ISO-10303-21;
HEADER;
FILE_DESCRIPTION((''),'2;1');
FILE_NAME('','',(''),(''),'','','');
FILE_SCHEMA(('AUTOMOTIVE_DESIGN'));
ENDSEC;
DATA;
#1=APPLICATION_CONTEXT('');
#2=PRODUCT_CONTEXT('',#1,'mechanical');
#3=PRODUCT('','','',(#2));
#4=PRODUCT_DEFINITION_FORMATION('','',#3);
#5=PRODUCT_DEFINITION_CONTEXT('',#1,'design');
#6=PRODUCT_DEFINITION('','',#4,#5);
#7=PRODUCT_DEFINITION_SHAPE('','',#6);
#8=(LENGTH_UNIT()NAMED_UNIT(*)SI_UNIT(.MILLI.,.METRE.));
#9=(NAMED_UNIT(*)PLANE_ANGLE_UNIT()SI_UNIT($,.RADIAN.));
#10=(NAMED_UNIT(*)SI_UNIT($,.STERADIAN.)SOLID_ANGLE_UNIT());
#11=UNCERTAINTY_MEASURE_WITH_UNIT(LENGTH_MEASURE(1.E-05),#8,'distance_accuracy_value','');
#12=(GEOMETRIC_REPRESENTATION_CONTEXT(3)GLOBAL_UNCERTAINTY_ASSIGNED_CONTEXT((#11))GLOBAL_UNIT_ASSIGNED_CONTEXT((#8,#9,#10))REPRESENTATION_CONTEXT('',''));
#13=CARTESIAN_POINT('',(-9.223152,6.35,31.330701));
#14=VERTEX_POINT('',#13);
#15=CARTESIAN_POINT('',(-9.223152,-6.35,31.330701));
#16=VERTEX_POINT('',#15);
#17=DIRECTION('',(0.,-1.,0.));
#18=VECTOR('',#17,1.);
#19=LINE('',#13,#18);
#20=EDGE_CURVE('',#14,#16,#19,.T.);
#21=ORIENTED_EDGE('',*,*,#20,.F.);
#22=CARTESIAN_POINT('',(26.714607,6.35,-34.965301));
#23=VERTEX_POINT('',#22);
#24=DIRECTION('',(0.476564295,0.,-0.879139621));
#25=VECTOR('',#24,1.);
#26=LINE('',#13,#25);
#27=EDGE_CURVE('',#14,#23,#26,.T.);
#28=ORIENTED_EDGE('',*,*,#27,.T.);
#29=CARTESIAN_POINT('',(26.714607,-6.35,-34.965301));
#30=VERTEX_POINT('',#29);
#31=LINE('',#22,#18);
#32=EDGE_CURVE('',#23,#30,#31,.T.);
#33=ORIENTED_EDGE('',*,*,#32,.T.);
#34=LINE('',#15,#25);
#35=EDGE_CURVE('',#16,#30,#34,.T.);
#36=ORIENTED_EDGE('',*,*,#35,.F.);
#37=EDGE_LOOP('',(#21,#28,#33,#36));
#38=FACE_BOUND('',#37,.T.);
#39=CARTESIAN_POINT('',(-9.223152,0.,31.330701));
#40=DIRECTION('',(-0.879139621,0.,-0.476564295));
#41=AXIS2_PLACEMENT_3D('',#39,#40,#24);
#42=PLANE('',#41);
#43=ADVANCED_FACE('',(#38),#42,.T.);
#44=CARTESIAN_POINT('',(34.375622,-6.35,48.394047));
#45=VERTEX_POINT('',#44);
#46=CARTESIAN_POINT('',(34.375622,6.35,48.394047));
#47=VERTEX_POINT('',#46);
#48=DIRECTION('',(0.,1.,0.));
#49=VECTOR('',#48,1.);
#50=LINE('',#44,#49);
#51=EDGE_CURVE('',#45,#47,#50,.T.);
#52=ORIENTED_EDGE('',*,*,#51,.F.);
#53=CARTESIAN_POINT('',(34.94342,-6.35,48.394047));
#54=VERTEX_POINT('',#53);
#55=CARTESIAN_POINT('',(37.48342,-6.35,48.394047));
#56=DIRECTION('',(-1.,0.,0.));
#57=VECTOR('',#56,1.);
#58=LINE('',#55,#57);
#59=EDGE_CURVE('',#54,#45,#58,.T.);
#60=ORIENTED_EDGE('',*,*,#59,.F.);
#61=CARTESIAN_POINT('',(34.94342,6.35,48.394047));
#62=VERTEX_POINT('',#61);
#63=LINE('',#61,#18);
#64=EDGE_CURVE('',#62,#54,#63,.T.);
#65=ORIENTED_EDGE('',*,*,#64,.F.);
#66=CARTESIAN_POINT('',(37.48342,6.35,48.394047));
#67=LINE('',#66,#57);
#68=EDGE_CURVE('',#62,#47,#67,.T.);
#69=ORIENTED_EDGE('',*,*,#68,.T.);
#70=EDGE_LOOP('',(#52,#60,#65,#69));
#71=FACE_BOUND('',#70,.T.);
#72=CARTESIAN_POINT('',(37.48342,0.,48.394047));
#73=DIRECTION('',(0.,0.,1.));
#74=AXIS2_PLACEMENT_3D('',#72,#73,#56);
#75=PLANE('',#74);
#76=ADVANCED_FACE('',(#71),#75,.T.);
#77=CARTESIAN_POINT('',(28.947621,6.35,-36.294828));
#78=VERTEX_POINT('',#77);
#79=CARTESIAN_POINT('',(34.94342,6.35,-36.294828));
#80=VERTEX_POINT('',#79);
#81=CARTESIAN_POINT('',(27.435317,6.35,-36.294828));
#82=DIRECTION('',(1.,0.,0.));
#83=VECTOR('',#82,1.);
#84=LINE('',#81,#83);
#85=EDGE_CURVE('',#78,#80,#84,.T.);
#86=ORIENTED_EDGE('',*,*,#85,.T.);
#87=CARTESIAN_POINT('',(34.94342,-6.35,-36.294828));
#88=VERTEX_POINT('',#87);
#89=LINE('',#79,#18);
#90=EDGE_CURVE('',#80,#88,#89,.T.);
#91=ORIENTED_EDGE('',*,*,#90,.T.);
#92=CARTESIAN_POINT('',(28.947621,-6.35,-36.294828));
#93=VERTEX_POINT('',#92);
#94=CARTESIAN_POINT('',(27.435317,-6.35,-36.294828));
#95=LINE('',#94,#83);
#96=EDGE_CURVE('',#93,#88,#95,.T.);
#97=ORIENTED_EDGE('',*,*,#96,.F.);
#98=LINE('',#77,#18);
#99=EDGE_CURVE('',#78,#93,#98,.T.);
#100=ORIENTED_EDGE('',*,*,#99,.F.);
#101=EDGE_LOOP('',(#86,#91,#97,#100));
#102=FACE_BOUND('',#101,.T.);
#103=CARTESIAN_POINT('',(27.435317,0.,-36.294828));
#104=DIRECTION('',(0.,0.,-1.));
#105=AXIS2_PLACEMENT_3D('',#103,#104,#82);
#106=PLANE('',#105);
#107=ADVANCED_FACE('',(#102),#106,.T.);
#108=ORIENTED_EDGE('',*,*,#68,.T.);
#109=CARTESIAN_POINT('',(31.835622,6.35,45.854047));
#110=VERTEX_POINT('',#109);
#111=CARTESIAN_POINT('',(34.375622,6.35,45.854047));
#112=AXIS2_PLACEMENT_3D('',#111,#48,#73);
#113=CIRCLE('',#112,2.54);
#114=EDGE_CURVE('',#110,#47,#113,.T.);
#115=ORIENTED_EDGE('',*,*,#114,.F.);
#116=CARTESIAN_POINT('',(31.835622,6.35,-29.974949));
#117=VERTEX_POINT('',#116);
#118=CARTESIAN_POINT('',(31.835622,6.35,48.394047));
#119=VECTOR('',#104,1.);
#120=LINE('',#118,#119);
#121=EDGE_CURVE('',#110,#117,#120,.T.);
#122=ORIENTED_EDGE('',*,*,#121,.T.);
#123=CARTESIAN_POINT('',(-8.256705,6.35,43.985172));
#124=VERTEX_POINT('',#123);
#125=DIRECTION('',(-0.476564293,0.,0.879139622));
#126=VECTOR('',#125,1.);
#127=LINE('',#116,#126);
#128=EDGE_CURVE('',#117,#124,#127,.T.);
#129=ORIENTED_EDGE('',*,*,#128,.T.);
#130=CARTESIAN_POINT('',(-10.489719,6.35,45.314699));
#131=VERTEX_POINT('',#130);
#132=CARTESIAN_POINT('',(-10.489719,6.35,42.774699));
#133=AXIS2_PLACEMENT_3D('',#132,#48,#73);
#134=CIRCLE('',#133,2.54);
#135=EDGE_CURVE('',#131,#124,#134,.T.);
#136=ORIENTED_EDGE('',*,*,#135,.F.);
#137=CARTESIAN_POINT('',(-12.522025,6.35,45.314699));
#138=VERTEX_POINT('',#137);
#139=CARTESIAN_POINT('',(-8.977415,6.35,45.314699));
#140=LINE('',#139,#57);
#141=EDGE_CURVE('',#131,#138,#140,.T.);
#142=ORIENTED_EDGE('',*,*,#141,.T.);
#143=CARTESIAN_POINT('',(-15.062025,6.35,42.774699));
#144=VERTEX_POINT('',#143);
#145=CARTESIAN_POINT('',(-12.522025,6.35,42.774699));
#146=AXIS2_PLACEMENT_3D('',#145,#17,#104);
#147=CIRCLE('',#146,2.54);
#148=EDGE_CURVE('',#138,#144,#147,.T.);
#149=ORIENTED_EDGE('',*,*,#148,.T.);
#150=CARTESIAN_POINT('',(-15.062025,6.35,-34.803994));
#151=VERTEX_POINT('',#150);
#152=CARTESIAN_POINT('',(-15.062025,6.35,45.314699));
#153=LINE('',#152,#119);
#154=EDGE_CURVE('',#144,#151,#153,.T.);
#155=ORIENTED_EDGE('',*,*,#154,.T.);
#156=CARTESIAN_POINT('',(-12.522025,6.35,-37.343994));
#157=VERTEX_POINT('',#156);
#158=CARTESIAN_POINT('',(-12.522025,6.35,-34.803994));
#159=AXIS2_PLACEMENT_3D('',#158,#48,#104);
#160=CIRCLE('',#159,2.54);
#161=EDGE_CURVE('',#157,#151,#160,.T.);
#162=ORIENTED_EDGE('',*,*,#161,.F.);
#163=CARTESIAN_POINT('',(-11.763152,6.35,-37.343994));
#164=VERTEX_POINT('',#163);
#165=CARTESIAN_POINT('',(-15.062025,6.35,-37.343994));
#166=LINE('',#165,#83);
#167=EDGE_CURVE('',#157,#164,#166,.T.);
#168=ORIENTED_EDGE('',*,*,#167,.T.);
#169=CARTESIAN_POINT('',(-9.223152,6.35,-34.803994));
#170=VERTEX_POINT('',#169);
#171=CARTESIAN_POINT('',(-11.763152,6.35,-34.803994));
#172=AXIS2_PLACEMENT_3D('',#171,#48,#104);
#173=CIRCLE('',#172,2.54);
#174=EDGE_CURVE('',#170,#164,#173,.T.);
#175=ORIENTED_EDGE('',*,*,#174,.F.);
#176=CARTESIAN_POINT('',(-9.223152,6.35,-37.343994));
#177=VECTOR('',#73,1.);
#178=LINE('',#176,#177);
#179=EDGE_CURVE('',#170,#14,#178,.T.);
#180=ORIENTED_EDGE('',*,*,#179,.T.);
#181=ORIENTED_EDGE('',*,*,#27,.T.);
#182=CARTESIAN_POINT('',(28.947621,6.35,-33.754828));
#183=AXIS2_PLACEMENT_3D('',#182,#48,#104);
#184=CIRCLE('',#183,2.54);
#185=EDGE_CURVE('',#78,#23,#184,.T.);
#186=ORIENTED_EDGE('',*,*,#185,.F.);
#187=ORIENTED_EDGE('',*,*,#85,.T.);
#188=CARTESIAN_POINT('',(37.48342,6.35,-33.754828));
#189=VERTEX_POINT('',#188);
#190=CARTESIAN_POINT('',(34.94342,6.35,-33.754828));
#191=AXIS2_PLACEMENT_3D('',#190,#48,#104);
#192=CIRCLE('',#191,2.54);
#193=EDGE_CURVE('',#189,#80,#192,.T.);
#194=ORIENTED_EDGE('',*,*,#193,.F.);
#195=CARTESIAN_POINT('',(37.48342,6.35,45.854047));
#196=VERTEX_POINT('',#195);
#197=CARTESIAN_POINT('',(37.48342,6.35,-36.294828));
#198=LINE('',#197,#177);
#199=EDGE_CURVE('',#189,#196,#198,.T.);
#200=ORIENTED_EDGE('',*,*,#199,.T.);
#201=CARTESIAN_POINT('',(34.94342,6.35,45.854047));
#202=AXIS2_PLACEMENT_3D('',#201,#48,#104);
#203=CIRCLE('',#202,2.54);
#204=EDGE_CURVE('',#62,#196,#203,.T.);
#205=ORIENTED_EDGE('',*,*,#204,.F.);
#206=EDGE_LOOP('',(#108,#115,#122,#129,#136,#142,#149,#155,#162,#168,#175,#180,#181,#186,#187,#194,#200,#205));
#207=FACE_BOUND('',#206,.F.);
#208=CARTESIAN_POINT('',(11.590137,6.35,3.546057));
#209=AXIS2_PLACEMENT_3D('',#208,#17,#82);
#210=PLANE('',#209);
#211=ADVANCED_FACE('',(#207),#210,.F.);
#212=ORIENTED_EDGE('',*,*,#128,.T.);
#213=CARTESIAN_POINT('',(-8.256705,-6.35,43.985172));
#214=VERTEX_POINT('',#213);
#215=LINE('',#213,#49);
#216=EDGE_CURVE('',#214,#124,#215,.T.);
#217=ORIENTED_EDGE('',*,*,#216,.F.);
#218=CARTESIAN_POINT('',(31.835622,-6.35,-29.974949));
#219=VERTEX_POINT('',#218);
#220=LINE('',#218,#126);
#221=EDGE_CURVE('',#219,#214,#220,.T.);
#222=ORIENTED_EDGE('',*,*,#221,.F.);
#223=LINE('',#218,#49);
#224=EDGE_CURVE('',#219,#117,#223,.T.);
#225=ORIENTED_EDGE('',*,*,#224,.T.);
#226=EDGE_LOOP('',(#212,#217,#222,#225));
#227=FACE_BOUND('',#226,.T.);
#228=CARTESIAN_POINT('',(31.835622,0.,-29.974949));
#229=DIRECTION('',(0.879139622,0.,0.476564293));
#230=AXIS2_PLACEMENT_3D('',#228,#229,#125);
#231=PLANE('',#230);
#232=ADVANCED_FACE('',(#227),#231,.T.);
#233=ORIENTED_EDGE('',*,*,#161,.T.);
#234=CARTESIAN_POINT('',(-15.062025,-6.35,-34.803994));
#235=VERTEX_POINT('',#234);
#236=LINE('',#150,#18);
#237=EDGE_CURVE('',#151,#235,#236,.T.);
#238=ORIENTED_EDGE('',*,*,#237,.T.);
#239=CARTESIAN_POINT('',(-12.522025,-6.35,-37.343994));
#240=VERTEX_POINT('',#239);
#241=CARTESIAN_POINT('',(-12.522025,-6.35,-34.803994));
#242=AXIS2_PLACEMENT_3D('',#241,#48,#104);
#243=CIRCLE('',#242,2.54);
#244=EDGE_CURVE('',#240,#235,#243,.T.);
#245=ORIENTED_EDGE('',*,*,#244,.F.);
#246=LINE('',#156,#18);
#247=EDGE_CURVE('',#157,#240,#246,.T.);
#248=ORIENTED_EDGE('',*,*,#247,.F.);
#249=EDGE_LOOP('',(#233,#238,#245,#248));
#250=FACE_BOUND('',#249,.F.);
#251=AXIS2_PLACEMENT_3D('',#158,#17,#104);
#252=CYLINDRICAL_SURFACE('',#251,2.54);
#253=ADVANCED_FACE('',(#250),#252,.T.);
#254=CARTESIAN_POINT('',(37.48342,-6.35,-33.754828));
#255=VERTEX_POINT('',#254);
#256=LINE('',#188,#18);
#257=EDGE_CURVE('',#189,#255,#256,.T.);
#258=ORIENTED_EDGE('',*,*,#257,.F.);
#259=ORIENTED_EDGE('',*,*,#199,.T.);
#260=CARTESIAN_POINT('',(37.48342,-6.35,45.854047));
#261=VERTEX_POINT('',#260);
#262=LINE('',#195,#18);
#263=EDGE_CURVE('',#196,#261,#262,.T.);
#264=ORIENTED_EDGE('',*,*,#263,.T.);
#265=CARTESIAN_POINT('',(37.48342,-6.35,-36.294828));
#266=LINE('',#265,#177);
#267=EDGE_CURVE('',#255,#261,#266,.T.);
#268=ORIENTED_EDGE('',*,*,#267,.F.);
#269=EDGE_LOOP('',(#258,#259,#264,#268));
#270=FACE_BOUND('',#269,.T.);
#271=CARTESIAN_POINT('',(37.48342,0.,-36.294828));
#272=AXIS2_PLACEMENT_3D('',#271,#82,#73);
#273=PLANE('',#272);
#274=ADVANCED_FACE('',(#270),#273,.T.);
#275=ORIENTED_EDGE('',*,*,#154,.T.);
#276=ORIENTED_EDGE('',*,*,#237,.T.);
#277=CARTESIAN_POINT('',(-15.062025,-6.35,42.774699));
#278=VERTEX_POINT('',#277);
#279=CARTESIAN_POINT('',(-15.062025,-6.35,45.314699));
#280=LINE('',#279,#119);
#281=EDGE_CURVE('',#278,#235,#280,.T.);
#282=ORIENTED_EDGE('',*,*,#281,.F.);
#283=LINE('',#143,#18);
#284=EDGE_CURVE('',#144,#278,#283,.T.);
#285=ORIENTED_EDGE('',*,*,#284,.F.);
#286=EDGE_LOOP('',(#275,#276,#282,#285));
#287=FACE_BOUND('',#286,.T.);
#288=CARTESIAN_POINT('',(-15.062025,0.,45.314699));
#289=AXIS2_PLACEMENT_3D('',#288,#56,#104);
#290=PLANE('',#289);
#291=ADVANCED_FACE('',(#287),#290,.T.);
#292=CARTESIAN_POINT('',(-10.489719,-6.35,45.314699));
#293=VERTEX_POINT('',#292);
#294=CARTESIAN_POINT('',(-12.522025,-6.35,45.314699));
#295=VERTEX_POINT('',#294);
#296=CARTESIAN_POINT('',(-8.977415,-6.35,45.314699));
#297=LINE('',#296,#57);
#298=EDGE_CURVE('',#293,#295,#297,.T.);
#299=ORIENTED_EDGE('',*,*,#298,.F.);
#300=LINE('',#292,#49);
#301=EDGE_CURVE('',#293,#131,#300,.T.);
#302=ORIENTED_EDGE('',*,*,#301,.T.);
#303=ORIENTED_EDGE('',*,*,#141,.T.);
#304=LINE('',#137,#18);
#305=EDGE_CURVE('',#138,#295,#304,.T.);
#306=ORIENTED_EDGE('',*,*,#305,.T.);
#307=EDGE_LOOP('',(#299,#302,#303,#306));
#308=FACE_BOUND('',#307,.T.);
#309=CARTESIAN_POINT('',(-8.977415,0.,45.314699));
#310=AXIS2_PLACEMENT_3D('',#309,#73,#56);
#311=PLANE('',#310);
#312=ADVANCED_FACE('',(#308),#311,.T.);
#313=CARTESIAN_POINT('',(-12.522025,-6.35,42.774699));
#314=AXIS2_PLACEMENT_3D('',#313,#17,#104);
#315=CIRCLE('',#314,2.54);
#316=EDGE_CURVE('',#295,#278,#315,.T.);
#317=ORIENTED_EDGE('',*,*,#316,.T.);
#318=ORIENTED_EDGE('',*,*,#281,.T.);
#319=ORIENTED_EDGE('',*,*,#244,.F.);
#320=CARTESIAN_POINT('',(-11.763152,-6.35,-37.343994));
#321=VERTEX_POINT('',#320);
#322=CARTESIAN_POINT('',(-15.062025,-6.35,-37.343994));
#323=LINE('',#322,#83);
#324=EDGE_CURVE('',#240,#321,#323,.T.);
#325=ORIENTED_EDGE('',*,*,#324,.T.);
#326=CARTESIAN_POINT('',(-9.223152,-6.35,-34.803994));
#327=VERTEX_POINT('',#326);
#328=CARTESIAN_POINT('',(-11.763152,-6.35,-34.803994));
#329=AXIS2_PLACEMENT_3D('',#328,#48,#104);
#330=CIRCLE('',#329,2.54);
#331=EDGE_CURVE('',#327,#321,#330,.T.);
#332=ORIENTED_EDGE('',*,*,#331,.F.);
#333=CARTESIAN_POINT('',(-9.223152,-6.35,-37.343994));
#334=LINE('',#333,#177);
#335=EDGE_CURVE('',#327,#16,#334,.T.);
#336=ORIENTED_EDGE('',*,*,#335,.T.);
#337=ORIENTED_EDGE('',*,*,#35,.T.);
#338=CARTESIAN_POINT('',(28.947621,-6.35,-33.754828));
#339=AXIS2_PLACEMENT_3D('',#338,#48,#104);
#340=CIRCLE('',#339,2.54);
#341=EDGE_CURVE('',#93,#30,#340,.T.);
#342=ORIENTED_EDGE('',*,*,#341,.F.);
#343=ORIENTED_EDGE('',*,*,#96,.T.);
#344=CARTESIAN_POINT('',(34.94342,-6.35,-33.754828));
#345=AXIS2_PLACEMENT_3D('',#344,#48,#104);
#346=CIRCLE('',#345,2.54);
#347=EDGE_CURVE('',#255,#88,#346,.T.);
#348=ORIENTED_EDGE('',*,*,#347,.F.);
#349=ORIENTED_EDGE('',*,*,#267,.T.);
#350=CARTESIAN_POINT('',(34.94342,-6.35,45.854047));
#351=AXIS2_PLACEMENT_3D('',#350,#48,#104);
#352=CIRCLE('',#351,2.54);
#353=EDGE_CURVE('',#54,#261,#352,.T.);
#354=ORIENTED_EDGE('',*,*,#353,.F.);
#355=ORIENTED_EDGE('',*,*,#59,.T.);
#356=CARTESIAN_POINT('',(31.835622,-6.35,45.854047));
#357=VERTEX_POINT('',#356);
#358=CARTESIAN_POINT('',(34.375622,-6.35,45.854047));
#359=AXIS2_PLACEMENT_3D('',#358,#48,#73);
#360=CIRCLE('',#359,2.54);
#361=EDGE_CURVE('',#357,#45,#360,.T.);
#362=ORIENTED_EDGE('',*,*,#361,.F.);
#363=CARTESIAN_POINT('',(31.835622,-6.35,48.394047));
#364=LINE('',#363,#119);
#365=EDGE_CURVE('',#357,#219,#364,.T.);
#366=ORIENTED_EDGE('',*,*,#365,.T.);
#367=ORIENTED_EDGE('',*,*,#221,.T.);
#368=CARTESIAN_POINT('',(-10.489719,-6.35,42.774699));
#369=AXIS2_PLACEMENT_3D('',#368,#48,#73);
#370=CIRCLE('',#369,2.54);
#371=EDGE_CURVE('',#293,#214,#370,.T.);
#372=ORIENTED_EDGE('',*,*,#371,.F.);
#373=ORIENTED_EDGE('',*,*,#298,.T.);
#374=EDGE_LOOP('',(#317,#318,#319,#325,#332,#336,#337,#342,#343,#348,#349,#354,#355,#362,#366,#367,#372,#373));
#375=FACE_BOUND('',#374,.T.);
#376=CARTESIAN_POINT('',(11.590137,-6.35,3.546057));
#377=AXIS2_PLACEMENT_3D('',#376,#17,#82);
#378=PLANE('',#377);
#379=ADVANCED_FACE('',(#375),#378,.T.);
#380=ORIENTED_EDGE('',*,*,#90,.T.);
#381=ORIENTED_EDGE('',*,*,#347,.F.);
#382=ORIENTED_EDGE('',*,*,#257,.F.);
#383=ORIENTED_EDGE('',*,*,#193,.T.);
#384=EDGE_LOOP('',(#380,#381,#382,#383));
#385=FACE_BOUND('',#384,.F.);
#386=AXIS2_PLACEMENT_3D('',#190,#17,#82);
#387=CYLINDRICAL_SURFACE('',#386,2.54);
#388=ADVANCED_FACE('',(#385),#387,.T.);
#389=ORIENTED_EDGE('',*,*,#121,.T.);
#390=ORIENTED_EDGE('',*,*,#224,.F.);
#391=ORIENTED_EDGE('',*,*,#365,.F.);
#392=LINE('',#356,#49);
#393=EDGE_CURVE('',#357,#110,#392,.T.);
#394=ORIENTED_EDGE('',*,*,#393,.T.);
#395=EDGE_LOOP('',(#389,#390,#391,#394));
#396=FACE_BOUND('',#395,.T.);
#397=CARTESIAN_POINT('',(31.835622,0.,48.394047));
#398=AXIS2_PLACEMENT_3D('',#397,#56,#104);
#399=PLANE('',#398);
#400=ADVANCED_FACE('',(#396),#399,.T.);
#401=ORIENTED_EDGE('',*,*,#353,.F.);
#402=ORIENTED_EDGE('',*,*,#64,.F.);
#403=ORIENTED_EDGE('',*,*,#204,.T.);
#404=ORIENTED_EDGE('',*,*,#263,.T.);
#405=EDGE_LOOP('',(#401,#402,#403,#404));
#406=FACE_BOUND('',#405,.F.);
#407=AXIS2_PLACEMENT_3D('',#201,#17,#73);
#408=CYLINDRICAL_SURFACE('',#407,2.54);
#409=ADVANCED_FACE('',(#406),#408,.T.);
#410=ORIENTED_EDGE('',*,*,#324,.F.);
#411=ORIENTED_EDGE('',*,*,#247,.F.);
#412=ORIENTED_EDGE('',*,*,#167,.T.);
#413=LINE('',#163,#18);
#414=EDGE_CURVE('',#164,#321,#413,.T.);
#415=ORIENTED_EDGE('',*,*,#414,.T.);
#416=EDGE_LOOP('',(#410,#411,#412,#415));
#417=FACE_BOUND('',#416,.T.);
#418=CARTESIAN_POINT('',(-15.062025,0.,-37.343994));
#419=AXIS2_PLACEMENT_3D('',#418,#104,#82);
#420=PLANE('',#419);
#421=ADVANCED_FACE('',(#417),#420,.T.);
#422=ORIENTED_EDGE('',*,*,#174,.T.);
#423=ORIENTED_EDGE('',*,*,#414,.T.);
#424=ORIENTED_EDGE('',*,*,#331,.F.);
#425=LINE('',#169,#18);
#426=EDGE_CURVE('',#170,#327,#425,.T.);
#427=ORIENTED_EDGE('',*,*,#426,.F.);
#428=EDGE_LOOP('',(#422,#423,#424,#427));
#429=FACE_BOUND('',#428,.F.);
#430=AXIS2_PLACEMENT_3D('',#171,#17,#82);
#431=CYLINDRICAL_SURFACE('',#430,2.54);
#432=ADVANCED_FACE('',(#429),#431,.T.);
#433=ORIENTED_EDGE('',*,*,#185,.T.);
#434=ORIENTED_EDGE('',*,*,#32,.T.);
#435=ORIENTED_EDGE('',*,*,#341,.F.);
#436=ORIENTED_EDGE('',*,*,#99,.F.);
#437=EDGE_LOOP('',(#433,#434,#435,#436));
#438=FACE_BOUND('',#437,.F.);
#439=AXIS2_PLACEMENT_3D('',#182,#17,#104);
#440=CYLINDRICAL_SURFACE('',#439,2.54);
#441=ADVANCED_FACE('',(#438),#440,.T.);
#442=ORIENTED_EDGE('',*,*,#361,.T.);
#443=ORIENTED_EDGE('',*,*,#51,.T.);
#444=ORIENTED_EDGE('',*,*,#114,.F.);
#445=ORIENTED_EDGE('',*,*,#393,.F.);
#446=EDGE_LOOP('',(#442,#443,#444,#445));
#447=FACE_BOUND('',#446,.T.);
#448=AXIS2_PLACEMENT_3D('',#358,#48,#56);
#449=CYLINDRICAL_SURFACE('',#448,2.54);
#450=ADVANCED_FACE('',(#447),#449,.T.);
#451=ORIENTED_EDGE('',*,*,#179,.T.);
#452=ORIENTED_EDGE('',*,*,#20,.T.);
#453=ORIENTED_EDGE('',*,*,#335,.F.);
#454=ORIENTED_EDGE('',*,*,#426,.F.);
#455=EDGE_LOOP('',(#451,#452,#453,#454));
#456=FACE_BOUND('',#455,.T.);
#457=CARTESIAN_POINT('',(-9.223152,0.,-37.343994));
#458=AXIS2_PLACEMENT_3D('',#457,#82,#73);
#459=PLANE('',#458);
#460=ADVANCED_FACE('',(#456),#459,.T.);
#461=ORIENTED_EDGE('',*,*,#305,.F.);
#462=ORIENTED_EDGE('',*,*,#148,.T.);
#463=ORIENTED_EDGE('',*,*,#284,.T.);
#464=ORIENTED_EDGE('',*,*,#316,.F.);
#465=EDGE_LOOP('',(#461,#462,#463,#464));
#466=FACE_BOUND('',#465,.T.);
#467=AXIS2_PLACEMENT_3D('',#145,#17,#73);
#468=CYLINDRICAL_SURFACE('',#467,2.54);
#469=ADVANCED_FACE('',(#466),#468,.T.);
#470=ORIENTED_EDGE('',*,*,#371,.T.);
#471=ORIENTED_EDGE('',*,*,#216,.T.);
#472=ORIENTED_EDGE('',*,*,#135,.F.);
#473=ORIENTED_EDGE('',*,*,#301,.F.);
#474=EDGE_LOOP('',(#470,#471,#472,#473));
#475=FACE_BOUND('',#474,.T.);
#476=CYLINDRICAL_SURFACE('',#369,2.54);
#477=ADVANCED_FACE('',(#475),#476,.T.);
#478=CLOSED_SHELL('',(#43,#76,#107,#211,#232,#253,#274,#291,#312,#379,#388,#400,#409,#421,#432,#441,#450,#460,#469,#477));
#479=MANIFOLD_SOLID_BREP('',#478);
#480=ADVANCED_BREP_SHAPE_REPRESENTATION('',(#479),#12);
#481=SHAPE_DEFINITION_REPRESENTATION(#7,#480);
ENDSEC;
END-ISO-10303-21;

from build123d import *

# Parameters (mm, degrees)
F1_DEPTH = 6.35
F2_R     = 2.54


with BuildPart() as f1:
    # F0 (on Front) → F1 (new body, symmetric)
    with BuildSketch(Plane.XZ):
        Polygon((-8.977415, 45.314699), (-15.062025, 45.314699), (-15.062025, -37.343994), (-9.223152, -37.343994), (-9.223152, 31.330701), (27.435317, -36.294828), (37.48342, -36.294828), (37.48342, 48.394047), (31.835622, 48.394047), (31.835622, -29.974949), align=None)
    extrude(amount=F1_DEPTH, both=True)

    # F2
    f2_edges = [f1.edges().sort_by_distance(p)[0] for p in [
        (-15.062025, 0, -37.343994),
        (37.48342, 0, 48.394047),
        (-15.062025, 0, 45.314699),
        (31.835622, 0, 48.394047),
        (-9.223152, 0, -37.343994),
        (37.48342, 0, -36.294828),
        (27.435317, 0, -36.294828),
        (-8.977415, 0, 45.314699),
    ]]
    fillet(f2_edges, radius=F2_R)


solid = f1.part
